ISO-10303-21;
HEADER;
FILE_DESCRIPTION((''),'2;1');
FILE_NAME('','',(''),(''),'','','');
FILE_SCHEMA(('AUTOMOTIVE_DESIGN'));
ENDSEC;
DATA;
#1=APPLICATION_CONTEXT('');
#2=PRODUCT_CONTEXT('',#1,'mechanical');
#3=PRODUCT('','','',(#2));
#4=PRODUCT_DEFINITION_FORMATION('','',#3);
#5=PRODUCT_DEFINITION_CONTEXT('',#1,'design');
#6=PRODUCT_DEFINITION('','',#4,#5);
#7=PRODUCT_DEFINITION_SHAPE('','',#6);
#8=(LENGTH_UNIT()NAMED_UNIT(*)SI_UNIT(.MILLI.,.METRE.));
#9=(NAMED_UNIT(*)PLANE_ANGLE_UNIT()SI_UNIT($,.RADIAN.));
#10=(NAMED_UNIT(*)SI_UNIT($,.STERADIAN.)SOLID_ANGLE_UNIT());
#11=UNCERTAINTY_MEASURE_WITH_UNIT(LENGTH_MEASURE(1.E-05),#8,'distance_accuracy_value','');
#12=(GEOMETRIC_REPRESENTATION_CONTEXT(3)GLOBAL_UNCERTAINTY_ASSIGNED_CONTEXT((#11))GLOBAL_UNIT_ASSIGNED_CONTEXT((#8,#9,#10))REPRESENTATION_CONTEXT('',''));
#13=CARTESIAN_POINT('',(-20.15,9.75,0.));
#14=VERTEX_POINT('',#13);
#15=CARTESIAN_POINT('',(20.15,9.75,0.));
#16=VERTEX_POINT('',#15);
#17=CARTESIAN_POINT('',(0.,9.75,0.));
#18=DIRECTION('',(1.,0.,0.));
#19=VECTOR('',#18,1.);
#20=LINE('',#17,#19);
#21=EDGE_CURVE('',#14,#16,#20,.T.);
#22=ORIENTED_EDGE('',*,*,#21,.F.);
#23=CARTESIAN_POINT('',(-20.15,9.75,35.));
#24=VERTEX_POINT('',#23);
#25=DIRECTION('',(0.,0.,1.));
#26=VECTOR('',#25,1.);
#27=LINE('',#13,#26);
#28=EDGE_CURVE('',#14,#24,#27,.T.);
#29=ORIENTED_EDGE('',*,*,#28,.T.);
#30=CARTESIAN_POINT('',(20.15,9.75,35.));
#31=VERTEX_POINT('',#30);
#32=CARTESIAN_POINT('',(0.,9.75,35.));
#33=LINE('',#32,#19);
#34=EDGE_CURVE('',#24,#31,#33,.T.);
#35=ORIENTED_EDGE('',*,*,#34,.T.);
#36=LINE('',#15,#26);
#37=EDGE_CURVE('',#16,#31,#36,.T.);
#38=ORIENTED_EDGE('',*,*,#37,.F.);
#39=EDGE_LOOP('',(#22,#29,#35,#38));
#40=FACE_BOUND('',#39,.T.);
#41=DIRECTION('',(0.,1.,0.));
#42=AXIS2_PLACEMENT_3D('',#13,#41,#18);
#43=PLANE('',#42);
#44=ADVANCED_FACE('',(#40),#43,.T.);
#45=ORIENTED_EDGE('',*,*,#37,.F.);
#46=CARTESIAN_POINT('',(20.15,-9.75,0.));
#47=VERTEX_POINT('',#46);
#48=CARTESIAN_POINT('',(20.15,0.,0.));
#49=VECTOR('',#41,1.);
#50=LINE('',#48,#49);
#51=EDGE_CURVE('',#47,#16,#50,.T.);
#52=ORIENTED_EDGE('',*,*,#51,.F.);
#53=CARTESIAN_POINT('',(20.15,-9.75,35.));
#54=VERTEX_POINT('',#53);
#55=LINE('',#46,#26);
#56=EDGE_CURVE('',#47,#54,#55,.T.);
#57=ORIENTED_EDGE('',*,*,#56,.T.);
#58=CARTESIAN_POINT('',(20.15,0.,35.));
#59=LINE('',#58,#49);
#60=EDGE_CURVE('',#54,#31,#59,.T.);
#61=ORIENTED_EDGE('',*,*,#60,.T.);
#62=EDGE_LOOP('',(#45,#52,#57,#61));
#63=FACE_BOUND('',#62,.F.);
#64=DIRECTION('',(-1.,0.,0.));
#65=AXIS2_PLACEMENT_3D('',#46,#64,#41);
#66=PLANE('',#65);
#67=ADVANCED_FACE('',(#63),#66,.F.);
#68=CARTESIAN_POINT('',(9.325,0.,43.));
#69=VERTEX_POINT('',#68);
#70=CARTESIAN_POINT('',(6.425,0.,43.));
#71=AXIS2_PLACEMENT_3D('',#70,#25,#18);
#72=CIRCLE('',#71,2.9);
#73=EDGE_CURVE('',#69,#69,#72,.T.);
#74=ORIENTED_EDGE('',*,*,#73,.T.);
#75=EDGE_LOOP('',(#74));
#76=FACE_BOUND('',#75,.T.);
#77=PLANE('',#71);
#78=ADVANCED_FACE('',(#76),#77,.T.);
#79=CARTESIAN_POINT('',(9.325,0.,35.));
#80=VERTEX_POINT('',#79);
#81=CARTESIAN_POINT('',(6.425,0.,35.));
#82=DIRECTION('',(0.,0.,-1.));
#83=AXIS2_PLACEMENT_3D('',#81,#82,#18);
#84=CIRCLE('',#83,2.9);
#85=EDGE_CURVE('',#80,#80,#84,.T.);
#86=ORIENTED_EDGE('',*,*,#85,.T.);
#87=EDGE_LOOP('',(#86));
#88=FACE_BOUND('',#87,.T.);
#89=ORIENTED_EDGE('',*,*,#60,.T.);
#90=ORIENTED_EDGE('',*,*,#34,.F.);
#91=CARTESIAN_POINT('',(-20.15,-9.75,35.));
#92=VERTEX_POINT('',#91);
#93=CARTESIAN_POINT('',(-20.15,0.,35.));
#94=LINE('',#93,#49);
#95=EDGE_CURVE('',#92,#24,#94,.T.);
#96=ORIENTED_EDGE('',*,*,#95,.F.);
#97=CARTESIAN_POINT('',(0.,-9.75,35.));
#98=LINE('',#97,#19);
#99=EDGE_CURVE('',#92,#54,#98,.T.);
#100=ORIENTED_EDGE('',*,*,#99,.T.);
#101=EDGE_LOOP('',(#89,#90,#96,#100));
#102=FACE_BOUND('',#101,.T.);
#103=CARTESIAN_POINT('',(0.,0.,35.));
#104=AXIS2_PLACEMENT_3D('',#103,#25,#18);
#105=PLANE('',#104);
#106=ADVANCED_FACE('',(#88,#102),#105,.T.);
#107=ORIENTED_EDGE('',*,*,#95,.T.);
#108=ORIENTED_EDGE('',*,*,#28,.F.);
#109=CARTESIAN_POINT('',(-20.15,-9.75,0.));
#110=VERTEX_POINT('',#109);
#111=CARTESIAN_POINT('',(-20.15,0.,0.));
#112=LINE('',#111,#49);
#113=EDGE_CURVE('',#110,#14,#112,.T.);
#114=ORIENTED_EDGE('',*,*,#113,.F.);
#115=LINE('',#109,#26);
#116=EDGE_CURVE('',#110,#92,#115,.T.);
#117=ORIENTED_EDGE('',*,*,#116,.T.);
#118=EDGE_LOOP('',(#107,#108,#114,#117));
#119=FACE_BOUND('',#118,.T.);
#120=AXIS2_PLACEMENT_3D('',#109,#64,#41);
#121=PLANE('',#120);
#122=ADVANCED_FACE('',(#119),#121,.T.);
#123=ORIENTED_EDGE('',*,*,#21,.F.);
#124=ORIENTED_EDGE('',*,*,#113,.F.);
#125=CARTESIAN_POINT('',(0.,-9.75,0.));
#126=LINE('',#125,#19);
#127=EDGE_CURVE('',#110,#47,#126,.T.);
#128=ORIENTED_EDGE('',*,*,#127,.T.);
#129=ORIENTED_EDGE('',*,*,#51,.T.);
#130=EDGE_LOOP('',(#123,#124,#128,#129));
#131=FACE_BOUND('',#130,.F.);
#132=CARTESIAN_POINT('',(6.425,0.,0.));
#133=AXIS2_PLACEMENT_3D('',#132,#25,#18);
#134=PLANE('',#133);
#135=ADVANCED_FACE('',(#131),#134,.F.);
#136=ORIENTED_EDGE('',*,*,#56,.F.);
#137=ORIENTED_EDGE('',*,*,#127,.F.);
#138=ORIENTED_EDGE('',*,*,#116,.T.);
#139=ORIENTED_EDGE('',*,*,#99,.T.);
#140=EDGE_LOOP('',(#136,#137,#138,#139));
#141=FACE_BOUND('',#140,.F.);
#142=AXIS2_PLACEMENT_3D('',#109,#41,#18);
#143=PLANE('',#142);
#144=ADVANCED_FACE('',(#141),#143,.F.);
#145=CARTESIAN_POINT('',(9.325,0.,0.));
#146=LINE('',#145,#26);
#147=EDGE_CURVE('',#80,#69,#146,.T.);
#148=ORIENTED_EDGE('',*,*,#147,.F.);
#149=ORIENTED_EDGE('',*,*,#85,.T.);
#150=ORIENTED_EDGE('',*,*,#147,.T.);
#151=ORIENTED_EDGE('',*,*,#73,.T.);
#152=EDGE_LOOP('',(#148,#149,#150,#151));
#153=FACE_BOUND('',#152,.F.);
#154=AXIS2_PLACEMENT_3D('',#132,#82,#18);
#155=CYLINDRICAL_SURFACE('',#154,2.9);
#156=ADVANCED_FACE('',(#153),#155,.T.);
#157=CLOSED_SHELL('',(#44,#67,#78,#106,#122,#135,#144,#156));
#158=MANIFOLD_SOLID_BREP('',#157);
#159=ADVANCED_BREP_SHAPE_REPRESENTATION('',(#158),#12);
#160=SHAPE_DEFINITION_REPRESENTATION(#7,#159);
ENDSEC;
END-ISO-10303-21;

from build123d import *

# Parameters (mm, degrees)
SKETCH_W     = 40.3
SKETCH_H     = 19.5
PAD_DEPTH    = 35
SKETCH001_R  = 2.9
PAD001_DEPTH = 43


with BuildPart() as part:
    # Sketch → Pad (new body)
    with BuildSketch(Plane.XY):
        Rectangle(SKETCH_W, SKETCH_H)
    extrude(amount=PAD_DEPTH)

    # Sketch001 → Pad001 (join)
    with BuildSketch(Plane.XY):
        with Locations((6.425, 0)):
            Circle(SKETCH001_R)
    extrude(amount=PAD001_DEPTH)


solid = part.part
